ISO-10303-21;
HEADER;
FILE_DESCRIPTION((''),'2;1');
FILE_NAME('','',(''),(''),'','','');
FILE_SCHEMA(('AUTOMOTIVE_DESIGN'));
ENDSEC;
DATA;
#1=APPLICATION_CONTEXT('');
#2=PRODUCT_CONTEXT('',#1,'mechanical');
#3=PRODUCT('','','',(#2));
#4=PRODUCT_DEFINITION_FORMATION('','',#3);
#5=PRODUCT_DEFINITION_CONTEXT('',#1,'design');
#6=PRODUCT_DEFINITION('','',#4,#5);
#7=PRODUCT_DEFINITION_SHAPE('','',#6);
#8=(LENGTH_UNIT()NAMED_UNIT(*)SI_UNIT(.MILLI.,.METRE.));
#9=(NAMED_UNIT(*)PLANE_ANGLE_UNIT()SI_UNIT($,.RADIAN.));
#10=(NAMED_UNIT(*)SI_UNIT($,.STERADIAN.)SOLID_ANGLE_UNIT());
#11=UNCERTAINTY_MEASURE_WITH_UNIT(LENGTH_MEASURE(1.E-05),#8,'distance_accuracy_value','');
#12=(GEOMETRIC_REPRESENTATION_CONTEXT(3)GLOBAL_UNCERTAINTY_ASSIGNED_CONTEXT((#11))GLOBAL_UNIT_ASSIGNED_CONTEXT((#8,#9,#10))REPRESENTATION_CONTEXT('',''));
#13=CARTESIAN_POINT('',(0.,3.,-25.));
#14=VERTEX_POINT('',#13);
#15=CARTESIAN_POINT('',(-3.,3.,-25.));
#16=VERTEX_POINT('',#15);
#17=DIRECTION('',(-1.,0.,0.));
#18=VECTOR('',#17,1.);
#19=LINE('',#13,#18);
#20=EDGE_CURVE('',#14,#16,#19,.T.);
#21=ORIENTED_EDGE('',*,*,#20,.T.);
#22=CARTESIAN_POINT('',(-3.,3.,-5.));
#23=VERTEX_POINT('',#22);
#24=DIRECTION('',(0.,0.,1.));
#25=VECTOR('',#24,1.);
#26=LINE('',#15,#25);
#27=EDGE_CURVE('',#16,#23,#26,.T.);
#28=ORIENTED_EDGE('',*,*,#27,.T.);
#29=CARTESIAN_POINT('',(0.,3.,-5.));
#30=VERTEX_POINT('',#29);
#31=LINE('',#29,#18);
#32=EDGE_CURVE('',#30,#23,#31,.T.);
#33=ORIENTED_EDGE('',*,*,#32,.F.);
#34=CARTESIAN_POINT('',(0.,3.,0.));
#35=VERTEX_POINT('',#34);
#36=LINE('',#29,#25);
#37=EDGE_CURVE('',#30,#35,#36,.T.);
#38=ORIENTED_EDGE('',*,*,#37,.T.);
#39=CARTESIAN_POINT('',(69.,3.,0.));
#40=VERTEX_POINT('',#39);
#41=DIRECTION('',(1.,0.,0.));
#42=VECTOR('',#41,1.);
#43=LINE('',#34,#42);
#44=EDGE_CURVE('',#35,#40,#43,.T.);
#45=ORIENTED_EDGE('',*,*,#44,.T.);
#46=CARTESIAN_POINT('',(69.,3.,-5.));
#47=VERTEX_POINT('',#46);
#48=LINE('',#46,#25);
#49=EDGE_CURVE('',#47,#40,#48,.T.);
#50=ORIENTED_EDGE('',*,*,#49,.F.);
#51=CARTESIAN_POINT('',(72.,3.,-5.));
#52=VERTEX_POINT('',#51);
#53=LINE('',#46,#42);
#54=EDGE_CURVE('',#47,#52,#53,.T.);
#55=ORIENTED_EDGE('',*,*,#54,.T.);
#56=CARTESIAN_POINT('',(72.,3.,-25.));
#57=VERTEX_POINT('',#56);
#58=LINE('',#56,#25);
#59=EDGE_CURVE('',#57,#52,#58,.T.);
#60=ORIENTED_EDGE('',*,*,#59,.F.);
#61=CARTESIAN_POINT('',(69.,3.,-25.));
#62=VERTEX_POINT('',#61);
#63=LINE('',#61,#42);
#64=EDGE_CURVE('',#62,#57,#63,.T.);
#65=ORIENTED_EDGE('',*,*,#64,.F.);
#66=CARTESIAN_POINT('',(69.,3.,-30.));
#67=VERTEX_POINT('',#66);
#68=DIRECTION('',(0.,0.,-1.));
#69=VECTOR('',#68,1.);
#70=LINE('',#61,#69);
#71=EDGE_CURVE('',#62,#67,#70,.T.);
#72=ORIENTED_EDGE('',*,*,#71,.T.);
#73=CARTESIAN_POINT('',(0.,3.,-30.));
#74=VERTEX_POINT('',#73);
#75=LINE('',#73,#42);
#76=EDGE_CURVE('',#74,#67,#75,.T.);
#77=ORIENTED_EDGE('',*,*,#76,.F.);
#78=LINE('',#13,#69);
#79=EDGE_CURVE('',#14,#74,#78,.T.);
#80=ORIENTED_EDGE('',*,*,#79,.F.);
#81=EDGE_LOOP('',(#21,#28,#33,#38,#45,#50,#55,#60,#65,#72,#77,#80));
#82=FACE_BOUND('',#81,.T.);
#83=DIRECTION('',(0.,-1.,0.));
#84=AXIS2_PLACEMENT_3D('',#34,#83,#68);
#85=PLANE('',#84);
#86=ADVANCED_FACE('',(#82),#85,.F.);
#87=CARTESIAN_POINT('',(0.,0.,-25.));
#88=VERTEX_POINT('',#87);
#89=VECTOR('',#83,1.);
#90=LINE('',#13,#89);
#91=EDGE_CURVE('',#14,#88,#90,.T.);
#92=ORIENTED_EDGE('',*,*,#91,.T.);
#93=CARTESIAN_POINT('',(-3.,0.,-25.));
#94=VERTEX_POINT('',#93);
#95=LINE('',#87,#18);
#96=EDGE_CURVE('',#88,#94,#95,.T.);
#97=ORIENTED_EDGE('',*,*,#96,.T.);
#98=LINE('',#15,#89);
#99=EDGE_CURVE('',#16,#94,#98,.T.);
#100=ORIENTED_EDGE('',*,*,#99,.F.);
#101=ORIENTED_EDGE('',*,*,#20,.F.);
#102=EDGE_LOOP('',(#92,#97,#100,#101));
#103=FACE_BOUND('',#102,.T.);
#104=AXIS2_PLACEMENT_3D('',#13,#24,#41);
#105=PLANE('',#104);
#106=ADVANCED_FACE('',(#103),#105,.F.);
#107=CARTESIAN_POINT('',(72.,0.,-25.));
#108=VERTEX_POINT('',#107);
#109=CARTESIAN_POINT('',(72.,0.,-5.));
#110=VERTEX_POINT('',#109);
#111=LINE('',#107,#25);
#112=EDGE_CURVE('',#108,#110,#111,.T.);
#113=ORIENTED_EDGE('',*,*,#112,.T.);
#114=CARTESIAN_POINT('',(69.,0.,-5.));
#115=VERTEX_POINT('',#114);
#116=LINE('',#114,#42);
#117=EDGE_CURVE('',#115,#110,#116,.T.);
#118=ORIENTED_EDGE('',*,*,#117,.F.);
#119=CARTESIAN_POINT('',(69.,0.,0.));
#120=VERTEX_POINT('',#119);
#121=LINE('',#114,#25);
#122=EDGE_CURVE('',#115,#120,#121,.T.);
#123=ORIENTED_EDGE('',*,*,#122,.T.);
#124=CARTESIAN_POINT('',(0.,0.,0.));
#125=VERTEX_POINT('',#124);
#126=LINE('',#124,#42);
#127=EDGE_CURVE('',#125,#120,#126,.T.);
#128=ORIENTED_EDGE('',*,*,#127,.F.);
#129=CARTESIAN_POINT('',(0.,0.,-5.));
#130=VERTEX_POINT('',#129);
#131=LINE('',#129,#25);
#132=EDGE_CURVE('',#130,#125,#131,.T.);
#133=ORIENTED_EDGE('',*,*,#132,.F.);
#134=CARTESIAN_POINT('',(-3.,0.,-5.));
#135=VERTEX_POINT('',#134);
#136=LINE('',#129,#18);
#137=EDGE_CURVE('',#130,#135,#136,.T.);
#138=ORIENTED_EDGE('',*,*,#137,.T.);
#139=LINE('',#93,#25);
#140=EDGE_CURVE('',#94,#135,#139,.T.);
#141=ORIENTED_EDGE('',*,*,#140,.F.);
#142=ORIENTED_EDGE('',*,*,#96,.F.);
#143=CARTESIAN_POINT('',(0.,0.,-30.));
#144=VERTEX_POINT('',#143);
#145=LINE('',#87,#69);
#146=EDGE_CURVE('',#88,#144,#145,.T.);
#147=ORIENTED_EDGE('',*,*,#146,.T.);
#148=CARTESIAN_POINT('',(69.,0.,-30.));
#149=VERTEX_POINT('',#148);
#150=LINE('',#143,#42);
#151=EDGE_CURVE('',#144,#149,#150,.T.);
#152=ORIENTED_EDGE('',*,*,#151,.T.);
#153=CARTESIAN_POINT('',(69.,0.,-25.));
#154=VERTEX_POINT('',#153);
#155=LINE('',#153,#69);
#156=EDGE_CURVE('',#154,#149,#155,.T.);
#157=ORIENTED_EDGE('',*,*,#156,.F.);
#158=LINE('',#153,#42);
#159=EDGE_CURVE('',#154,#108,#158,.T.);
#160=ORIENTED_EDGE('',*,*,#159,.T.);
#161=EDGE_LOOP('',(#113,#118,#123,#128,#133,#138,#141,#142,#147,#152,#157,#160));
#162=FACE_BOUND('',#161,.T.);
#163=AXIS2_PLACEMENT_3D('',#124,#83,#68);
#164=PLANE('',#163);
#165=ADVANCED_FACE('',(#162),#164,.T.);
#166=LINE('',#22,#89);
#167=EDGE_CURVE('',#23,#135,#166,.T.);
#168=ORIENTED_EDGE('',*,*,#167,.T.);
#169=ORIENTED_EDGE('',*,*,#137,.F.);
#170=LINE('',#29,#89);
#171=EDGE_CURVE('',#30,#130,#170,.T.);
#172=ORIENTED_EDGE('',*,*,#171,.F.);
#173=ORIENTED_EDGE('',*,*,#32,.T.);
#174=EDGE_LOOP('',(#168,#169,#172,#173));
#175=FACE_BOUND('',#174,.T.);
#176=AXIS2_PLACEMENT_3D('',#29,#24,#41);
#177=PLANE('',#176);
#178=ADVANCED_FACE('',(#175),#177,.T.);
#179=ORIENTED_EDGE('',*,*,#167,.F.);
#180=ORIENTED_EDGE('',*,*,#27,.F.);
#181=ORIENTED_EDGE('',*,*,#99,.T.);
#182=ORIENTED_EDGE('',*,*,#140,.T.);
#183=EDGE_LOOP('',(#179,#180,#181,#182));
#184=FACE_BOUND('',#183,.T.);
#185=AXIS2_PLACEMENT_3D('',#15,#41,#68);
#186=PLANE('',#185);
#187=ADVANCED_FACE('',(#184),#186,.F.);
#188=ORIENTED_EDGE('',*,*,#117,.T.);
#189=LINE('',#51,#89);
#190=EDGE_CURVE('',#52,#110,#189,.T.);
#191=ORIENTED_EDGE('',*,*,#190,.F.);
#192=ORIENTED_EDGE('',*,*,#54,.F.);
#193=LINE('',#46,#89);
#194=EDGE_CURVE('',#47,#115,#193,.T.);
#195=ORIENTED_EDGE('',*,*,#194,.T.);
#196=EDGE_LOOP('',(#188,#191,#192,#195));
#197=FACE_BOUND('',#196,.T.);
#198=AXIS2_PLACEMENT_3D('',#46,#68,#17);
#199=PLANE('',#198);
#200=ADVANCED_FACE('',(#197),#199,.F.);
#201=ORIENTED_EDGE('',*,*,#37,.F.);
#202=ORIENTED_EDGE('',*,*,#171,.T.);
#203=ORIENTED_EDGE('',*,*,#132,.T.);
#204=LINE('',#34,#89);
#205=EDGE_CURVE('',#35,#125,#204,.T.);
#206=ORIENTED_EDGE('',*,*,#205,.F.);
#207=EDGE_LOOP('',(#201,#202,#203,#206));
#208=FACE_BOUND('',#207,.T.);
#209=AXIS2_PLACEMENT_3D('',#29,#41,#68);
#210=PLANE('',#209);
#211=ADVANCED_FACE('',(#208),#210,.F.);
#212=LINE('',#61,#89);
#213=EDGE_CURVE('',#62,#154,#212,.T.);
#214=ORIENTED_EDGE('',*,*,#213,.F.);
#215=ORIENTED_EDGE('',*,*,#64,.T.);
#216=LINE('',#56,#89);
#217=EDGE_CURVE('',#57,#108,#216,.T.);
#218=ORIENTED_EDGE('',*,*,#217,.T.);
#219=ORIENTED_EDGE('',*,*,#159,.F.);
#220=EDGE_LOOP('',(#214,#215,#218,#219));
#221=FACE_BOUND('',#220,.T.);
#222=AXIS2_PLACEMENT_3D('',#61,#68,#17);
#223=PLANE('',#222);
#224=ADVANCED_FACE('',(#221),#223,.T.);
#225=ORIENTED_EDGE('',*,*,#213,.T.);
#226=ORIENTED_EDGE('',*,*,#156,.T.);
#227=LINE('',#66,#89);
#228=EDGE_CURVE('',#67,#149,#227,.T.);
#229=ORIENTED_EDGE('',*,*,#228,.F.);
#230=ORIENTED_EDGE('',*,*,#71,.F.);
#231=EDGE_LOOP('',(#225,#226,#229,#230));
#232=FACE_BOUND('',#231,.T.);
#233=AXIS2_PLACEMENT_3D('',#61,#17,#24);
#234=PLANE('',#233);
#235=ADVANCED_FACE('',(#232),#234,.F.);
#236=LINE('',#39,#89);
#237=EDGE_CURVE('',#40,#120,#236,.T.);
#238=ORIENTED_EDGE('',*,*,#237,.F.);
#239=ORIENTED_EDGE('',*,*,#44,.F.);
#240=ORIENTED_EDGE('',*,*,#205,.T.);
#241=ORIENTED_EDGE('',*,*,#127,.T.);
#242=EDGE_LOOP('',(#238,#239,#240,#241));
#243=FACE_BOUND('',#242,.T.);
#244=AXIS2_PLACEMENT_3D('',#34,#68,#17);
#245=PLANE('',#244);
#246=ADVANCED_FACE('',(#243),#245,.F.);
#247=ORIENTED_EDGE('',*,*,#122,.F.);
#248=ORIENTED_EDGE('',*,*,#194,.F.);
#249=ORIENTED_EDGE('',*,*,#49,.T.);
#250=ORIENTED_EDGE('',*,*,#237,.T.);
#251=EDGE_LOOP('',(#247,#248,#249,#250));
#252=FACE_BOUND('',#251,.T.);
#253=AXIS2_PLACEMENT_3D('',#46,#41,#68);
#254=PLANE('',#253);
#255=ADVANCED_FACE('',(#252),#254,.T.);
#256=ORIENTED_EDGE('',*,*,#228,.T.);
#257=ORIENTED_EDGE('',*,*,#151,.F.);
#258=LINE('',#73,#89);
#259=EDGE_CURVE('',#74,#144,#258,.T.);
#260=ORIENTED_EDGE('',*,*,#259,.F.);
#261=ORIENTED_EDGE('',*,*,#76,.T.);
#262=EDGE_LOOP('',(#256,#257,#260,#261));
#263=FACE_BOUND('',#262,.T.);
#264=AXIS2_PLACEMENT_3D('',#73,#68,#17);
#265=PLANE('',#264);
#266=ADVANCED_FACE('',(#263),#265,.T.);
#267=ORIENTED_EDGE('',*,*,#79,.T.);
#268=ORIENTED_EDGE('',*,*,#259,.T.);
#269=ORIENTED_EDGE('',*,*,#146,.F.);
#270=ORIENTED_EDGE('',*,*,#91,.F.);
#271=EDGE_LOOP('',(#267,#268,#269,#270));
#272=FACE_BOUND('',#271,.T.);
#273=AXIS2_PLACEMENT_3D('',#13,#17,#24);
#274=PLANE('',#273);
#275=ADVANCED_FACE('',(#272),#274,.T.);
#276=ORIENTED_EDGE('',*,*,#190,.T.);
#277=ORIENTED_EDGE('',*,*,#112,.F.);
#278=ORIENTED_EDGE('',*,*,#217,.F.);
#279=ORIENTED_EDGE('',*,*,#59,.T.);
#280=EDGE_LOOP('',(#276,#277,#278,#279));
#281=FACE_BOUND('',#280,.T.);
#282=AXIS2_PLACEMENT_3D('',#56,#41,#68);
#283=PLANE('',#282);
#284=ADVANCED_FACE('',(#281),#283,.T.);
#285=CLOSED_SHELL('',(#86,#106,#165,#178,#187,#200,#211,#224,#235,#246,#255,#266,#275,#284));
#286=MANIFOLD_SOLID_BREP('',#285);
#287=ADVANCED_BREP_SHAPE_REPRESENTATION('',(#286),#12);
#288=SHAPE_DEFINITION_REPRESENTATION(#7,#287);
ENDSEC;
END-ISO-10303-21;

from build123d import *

# Parameters (mm, degrees)
BOSS_EXTRUDE1_DEPTH = 3


with BuildPart() as part:
    # Sketch1 → Boss-Extrude1 (new body)
    with BuildSketch(Plane(origin=(0, 0, 0), x_dir=(1, 0, 0), z_dir=(0, 1, 0))):
        Polygon((0, 25), (0, 30), (69, 30), (69, 25), (72, 25), (72, 5), (69, 5), (69, 0), (0, 0), (0, 5), (-3, 5), (-3, 25), align=None)
    extrude(amount=BOSS_EXTRUDE1_DEPTH)


solid = part.part
